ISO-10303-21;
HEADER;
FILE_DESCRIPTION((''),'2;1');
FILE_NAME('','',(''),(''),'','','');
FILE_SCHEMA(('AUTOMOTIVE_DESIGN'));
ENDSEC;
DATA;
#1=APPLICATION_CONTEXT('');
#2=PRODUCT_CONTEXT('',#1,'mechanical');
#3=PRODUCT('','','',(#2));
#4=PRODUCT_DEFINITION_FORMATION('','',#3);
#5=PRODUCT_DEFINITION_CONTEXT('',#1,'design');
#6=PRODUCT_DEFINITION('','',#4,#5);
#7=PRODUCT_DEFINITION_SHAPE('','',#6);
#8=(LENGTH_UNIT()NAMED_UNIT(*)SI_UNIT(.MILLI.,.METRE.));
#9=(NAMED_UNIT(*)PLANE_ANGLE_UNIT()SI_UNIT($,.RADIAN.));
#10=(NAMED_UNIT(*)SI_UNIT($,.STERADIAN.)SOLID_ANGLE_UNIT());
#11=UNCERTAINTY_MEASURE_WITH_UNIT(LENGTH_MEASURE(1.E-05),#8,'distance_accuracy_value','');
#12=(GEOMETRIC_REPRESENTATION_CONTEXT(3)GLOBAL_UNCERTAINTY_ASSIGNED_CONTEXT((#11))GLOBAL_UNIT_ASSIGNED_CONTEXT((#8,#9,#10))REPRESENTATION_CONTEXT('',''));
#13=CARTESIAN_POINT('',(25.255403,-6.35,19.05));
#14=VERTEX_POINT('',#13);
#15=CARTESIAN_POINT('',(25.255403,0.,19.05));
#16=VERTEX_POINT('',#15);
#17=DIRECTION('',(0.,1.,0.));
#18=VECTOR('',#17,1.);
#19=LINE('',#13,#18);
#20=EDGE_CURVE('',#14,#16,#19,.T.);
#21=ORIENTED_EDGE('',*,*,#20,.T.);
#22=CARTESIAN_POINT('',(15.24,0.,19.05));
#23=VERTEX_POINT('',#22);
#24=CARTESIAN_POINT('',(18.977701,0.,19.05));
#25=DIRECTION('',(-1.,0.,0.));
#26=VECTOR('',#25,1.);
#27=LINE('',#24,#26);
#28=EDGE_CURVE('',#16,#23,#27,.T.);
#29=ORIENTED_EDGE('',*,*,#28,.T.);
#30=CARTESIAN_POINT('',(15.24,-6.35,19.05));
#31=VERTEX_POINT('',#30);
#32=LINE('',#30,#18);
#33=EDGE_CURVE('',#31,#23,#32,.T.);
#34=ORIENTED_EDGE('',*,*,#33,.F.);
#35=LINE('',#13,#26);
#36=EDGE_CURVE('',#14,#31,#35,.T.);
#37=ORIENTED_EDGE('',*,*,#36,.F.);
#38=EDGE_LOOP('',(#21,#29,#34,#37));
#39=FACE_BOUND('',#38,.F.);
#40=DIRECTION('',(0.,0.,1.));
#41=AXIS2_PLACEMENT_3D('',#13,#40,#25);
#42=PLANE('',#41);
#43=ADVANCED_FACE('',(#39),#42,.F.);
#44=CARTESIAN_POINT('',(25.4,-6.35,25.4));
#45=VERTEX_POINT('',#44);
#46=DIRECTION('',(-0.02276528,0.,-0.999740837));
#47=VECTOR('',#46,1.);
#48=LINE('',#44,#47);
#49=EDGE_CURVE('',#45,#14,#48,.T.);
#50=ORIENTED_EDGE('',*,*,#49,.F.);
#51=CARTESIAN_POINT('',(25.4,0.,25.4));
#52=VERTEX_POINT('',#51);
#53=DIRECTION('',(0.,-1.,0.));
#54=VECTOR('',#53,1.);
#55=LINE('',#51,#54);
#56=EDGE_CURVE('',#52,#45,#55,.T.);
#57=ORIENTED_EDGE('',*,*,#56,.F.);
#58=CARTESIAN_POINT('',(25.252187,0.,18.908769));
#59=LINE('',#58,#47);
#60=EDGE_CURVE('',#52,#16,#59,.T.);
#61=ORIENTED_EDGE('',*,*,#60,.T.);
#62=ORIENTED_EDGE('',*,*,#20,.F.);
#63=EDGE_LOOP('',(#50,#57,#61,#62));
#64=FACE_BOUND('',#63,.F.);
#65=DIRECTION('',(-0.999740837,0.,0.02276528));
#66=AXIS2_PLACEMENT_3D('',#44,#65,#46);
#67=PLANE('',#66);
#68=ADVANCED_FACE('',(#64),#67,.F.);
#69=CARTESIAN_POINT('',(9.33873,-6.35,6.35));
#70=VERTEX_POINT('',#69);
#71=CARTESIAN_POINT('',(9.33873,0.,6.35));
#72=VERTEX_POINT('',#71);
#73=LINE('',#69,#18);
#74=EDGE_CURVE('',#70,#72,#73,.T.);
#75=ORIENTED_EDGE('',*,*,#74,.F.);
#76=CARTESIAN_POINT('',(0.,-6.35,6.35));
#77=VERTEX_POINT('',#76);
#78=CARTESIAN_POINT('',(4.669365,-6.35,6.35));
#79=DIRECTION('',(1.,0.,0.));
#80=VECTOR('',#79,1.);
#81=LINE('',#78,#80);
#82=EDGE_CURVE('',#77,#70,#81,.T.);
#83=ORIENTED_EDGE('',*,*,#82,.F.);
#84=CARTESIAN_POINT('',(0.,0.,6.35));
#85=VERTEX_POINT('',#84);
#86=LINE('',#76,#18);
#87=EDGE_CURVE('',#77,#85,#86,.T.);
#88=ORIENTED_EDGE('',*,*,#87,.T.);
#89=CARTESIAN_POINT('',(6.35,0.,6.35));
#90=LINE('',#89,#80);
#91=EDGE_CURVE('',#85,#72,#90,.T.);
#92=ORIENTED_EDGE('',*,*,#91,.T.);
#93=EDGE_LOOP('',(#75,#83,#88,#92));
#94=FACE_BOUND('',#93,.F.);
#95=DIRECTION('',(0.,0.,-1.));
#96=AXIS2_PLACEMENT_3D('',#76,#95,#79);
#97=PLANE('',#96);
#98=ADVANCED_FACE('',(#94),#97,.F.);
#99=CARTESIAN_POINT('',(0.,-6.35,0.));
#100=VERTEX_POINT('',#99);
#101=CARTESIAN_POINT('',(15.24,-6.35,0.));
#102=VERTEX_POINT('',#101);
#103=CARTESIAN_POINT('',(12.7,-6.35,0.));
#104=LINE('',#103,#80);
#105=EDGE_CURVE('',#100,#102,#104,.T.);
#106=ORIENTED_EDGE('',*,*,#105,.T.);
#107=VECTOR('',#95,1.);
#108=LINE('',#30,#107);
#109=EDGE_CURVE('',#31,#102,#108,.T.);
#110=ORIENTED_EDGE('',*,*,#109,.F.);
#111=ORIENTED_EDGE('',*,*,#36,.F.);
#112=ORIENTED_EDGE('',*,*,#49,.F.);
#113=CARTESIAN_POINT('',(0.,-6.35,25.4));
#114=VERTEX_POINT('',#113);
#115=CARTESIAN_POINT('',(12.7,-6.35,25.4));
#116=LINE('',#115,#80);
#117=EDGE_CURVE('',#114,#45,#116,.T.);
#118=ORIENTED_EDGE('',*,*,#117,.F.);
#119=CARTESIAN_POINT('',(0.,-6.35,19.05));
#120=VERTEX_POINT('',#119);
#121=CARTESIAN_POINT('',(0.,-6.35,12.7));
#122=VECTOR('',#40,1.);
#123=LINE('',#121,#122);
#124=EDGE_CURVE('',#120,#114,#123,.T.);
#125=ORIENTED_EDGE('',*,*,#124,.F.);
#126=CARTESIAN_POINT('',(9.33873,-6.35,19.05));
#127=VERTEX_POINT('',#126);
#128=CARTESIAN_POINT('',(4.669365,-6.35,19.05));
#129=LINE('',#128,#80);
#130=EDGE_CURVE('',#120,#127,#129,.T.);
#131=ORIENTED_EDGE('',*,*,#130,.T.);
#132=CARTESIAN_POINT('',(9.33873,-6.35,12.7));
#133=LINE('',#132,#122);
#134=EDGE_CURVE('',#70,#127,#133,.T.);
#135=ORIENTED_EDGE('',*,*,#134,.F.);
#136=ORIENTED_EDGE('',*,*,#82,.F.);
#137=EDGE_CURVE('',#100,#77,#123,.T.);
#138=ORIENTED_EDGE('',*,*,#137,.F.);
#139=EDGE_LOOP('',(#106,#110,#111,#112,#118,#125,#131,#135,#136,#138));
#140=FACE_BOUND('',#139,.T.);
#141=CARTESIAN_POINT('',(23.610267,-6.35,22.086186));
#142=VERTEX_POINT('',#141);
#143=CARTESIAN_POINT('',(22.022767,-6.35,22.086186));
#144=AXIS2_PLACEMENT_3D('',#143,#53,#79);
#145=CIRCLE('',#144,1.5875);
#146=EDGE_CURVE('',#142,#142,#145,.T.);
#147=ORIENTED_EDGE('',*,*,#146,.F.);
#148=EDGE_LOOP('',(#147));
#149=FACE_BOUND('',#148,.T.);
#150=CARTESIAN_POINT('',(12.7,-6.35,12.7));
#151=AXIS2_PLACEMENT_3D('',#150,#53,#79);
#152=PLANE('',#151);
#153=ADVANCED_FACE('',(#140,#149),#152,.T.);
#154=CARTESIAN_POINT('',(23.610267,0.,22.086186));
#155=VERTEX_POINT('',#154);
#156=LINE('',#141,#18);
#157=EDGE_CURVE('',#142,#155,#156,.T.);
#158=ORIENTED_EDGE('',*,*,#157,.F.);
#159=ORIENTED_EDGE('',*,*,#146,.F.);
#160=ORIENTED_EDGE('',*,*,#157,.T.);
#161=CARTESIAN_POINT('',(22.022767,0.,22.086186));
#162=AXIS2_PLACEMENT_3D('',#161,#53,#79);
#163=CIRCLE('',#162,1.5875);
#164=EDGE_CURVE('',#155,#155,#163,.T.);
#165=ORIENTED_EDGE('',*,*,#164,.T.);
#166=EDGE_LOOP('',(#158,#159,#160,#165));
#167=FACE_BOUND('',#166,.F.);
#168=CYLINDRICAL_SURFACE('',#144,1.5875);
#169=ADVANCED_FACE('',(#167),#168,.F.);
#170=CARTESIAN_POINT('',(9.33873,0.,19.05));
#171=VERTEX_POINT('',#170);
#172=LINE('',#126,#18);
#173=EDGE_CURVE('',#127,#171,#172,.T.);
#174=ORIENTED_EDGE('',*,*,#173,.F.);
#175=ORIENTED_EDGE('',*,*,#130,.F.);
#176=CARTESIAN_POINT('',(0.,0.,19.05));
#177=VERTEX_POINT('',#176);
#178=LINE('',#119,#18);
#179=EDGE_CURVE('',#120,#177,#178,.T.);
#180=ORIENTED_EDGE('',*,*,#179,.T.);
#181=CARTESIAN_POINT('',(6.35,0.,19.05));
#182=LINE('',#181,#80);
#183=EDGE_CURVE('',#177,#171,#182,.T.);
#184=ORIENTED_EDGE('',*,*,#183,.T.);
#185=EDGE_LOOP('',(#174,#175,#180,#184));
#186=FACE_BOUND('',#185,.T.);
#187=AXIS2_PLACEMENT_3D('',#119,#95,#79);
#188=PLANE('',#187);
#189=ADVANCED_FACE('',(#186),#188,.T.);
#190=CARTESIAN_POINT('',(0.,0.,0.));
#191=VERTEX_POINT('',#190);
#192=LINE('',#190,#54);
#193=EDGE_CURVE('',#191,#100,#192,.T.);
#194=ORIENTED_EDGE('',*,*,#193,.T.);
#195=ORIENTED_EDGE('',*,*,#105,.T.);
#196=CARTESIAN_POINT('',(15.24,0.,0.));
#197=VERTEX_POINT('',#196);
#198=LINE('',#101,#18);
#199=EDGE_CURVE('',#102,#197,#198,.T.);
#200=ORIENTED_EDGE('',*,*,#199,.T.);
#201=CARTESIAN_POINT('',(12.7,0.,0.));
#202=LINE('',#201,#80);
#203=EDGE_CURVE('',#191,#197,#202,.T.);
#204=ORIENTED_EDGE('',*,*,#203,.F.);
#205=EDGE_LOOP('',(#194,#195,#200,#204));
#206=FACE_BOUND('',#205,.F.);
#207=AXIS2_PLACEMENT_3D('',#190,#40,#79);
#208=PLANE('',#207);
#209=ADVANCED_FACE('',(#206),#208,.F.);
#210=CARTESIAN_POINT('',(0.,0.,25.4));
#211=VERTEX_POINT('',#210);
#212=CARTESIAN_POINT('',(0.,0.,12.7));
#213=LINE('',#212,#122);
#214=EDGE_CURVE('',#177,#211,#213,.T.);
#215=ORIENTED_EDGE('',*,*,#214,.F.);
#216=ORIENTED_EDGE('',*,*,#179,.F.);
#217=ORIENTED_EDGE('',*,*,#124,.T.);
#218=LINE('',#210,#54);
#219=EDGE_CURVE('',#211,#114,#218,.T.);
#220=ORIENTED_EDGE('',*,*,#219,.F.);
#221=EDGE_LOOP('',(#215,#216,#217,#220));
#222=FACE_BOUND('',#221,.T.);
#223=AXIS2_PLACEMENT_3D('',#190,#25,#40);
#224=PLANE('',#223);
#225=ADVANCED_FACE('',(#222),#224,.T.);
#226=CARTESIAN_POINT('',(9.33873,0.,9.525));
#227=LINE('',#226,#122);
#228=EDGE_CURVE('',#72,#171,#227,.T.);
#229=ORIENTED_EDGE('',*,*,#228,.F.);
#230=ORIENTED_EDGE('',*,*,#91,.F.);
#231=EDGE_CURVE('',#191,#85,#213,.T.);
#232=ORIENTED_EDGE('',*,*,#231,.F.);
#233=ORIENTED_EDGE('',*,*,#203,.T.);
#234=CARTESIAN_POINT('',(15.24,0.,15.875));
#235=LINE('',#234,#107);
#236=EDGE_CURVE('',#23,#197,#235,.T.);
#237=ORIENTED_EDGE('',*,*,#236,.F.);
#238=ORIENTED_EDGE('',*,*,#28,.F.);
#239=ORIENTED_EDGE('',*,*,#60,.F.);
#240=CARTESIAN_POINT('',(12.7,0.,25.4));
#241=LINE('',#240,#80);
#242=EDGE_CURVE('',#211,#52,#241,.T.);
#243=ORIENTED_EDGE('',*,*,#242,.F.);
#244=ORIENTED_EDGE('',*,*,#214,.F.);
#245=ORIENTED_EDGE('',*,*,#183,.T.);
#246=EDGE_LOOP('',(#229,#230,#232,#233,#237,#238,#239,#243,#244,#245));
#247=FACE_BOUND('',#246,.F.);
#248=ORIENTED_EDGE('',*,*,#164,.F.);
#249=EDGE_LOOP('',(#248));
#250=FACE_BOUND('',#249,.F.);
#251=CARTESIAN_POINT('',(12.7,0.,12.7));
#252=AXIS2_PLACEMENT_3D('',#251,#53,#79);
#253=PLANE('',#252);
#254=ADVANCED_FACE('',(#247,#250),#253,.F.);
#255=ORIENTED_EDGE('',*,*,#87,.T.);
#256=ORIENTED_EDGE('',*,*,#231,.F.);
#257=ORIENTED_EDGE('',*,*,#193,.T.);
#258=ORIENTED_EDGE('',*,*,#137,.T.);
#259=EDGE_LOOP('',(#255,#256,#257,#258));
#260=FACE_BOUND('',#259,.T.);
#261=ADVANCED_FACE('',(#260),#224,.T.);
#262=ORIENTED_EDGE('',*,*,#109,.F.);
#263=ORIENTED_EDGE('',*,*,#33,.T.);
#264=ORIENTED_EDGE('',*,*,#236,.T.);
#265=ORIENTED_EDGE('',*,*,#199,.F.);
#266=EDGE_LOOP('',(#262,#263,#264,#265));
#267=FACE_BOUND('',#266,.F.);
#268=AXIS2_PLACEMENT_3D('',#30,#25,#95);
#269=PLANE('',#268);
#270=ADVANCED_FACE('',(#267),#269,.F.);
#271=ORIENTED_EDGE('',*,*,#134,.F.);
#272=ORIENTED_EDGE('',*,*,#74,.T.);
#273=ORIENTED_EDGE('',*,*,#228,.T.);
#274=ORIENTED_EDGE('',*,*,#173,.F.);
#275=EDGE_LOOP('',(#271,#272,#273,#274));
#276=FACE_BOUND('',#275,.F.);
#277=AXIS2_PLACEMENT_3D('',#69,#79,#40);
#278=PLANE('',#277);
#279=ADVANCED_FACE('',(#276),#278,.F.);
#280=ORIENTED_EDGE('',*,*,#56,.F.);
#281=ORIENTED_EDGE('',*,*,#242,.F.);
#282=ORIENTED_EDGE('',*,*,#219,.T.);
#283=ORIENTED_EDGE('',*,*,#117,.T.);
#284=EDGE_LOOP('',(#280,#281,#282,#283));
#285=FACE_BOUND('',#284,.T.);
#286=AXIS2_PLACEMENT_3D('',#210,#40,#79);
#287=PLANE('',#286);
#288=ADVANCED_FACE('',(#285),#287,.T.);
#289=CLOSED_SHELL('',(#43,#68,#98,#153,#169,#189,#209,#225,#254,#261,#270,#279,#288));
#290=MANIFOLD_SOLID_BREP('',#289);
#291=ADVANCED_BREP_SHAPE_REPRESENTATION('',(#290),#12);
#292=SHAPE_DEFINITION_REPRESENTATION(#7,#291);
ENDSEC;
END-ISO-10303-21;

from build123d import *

# Parameters (mm, degrees)
F0_W     = 25.4
F0_H     = 25.4
F1_DEPTH = 6.35
F2_W     = 9.33873
F2_H     = 12.7
F3_DEPTH = 25.4
F4_R     = 1.5875
F5_DEPTH = 25.4


with BuildPart() as f1:
    # F0 (on Front) → F1 (new body)
    with BuildSketch(Plane.XZ):
        with Locations((12.7, 12.7)):
            Rectangle(F0_W, F0_H)
    extrude(amount=F1_DEPTH)

    # F2 (on face) → F3 (cut)
    with BuildSketch(Plane.XZ.offset(6.35)):
        with Locations((4.669365, 12.7)):
            Rectangle(F2_W, F2_H)
        Polygon((25.4, 0), (25.4, 25.4), (25.255403, 19.05), (15.24, 19.05), (15.24, 0), align=None)
    extrude(amount=-F3_DEPTH, mode=Mode.SUBTRACT)

    # F4 (on face) → F5 (cut)
    with BuildSketch(Plane.XZ.offset(6.35)):
        with Locations((22.022767, 22.086186)):
            Circle(F4_R)
    extrude(amount=-F5_DEPTH, mode=Mode.SUBTRACT)


solid = f1.part
